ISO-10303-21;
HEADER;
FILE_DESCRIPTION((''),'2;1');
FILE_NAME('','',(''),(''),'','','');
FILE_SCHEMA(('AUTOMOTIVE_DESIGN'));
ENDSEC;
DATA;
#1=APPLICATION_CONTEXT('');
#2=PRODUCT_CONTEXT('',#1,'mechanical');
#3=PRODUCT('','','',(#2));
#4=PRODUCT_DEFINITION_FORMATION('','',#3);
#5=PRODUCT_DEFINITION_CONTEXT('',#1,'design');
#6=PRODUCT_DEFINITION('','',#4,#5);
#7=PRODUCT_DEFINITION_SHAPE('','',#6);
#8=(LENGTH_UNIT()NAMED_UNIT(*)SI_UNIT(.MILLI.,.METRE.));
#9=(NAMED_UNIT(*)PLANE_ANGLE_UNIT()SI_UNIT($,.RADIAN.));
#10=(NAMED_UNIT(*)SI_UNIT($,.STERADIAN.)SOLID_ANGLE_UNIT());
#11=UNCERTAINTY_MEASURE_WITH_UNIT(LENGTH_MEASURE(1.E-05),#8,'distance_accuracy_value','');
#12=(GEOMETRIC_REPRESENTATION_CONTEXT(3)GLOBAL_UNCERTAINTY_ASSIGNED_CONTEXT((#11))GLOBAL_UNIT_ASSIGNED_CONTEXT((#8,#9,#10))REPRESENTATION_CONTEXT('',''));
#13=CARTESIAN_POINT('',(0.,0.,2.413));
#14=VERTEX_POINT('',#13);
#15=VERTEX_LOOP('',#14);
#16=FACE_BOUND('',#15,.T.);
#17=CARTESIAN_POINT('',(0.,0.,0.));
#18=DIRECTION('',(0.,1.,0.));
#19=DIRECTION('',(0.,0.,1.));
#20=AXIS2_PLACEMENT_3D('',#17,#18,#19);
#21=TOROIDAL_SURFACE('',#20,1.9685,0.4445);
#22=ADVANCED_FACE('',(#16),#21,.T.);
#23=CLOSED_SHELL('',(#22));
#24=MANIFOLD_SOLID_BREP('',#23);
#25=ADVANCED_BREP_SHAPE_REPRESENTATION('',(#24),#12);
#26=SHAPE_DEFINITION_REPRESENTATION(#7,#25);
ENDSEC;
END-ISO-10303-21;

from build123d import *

# Parameters (mm, degrees)
SKETCH1_R = 0.4445


with BuildPart() as part:
    # Sketch1 → Revolve1 (revolve)
    with BuildSketch(Plane.XY, mode=Mode.PRIVATE) as revolve1_sk:
        with Locations((1.9685, 0)):
            Circle(SKETCH1_R)
    revolve(revolve1_sk.sketch.rotate(Axis((0, 24.278755098, 0), (0, -1, 0)), 90), axis=Axis((0, 24.278755098, 0), (0, -1, 0)))


solid = part.part
